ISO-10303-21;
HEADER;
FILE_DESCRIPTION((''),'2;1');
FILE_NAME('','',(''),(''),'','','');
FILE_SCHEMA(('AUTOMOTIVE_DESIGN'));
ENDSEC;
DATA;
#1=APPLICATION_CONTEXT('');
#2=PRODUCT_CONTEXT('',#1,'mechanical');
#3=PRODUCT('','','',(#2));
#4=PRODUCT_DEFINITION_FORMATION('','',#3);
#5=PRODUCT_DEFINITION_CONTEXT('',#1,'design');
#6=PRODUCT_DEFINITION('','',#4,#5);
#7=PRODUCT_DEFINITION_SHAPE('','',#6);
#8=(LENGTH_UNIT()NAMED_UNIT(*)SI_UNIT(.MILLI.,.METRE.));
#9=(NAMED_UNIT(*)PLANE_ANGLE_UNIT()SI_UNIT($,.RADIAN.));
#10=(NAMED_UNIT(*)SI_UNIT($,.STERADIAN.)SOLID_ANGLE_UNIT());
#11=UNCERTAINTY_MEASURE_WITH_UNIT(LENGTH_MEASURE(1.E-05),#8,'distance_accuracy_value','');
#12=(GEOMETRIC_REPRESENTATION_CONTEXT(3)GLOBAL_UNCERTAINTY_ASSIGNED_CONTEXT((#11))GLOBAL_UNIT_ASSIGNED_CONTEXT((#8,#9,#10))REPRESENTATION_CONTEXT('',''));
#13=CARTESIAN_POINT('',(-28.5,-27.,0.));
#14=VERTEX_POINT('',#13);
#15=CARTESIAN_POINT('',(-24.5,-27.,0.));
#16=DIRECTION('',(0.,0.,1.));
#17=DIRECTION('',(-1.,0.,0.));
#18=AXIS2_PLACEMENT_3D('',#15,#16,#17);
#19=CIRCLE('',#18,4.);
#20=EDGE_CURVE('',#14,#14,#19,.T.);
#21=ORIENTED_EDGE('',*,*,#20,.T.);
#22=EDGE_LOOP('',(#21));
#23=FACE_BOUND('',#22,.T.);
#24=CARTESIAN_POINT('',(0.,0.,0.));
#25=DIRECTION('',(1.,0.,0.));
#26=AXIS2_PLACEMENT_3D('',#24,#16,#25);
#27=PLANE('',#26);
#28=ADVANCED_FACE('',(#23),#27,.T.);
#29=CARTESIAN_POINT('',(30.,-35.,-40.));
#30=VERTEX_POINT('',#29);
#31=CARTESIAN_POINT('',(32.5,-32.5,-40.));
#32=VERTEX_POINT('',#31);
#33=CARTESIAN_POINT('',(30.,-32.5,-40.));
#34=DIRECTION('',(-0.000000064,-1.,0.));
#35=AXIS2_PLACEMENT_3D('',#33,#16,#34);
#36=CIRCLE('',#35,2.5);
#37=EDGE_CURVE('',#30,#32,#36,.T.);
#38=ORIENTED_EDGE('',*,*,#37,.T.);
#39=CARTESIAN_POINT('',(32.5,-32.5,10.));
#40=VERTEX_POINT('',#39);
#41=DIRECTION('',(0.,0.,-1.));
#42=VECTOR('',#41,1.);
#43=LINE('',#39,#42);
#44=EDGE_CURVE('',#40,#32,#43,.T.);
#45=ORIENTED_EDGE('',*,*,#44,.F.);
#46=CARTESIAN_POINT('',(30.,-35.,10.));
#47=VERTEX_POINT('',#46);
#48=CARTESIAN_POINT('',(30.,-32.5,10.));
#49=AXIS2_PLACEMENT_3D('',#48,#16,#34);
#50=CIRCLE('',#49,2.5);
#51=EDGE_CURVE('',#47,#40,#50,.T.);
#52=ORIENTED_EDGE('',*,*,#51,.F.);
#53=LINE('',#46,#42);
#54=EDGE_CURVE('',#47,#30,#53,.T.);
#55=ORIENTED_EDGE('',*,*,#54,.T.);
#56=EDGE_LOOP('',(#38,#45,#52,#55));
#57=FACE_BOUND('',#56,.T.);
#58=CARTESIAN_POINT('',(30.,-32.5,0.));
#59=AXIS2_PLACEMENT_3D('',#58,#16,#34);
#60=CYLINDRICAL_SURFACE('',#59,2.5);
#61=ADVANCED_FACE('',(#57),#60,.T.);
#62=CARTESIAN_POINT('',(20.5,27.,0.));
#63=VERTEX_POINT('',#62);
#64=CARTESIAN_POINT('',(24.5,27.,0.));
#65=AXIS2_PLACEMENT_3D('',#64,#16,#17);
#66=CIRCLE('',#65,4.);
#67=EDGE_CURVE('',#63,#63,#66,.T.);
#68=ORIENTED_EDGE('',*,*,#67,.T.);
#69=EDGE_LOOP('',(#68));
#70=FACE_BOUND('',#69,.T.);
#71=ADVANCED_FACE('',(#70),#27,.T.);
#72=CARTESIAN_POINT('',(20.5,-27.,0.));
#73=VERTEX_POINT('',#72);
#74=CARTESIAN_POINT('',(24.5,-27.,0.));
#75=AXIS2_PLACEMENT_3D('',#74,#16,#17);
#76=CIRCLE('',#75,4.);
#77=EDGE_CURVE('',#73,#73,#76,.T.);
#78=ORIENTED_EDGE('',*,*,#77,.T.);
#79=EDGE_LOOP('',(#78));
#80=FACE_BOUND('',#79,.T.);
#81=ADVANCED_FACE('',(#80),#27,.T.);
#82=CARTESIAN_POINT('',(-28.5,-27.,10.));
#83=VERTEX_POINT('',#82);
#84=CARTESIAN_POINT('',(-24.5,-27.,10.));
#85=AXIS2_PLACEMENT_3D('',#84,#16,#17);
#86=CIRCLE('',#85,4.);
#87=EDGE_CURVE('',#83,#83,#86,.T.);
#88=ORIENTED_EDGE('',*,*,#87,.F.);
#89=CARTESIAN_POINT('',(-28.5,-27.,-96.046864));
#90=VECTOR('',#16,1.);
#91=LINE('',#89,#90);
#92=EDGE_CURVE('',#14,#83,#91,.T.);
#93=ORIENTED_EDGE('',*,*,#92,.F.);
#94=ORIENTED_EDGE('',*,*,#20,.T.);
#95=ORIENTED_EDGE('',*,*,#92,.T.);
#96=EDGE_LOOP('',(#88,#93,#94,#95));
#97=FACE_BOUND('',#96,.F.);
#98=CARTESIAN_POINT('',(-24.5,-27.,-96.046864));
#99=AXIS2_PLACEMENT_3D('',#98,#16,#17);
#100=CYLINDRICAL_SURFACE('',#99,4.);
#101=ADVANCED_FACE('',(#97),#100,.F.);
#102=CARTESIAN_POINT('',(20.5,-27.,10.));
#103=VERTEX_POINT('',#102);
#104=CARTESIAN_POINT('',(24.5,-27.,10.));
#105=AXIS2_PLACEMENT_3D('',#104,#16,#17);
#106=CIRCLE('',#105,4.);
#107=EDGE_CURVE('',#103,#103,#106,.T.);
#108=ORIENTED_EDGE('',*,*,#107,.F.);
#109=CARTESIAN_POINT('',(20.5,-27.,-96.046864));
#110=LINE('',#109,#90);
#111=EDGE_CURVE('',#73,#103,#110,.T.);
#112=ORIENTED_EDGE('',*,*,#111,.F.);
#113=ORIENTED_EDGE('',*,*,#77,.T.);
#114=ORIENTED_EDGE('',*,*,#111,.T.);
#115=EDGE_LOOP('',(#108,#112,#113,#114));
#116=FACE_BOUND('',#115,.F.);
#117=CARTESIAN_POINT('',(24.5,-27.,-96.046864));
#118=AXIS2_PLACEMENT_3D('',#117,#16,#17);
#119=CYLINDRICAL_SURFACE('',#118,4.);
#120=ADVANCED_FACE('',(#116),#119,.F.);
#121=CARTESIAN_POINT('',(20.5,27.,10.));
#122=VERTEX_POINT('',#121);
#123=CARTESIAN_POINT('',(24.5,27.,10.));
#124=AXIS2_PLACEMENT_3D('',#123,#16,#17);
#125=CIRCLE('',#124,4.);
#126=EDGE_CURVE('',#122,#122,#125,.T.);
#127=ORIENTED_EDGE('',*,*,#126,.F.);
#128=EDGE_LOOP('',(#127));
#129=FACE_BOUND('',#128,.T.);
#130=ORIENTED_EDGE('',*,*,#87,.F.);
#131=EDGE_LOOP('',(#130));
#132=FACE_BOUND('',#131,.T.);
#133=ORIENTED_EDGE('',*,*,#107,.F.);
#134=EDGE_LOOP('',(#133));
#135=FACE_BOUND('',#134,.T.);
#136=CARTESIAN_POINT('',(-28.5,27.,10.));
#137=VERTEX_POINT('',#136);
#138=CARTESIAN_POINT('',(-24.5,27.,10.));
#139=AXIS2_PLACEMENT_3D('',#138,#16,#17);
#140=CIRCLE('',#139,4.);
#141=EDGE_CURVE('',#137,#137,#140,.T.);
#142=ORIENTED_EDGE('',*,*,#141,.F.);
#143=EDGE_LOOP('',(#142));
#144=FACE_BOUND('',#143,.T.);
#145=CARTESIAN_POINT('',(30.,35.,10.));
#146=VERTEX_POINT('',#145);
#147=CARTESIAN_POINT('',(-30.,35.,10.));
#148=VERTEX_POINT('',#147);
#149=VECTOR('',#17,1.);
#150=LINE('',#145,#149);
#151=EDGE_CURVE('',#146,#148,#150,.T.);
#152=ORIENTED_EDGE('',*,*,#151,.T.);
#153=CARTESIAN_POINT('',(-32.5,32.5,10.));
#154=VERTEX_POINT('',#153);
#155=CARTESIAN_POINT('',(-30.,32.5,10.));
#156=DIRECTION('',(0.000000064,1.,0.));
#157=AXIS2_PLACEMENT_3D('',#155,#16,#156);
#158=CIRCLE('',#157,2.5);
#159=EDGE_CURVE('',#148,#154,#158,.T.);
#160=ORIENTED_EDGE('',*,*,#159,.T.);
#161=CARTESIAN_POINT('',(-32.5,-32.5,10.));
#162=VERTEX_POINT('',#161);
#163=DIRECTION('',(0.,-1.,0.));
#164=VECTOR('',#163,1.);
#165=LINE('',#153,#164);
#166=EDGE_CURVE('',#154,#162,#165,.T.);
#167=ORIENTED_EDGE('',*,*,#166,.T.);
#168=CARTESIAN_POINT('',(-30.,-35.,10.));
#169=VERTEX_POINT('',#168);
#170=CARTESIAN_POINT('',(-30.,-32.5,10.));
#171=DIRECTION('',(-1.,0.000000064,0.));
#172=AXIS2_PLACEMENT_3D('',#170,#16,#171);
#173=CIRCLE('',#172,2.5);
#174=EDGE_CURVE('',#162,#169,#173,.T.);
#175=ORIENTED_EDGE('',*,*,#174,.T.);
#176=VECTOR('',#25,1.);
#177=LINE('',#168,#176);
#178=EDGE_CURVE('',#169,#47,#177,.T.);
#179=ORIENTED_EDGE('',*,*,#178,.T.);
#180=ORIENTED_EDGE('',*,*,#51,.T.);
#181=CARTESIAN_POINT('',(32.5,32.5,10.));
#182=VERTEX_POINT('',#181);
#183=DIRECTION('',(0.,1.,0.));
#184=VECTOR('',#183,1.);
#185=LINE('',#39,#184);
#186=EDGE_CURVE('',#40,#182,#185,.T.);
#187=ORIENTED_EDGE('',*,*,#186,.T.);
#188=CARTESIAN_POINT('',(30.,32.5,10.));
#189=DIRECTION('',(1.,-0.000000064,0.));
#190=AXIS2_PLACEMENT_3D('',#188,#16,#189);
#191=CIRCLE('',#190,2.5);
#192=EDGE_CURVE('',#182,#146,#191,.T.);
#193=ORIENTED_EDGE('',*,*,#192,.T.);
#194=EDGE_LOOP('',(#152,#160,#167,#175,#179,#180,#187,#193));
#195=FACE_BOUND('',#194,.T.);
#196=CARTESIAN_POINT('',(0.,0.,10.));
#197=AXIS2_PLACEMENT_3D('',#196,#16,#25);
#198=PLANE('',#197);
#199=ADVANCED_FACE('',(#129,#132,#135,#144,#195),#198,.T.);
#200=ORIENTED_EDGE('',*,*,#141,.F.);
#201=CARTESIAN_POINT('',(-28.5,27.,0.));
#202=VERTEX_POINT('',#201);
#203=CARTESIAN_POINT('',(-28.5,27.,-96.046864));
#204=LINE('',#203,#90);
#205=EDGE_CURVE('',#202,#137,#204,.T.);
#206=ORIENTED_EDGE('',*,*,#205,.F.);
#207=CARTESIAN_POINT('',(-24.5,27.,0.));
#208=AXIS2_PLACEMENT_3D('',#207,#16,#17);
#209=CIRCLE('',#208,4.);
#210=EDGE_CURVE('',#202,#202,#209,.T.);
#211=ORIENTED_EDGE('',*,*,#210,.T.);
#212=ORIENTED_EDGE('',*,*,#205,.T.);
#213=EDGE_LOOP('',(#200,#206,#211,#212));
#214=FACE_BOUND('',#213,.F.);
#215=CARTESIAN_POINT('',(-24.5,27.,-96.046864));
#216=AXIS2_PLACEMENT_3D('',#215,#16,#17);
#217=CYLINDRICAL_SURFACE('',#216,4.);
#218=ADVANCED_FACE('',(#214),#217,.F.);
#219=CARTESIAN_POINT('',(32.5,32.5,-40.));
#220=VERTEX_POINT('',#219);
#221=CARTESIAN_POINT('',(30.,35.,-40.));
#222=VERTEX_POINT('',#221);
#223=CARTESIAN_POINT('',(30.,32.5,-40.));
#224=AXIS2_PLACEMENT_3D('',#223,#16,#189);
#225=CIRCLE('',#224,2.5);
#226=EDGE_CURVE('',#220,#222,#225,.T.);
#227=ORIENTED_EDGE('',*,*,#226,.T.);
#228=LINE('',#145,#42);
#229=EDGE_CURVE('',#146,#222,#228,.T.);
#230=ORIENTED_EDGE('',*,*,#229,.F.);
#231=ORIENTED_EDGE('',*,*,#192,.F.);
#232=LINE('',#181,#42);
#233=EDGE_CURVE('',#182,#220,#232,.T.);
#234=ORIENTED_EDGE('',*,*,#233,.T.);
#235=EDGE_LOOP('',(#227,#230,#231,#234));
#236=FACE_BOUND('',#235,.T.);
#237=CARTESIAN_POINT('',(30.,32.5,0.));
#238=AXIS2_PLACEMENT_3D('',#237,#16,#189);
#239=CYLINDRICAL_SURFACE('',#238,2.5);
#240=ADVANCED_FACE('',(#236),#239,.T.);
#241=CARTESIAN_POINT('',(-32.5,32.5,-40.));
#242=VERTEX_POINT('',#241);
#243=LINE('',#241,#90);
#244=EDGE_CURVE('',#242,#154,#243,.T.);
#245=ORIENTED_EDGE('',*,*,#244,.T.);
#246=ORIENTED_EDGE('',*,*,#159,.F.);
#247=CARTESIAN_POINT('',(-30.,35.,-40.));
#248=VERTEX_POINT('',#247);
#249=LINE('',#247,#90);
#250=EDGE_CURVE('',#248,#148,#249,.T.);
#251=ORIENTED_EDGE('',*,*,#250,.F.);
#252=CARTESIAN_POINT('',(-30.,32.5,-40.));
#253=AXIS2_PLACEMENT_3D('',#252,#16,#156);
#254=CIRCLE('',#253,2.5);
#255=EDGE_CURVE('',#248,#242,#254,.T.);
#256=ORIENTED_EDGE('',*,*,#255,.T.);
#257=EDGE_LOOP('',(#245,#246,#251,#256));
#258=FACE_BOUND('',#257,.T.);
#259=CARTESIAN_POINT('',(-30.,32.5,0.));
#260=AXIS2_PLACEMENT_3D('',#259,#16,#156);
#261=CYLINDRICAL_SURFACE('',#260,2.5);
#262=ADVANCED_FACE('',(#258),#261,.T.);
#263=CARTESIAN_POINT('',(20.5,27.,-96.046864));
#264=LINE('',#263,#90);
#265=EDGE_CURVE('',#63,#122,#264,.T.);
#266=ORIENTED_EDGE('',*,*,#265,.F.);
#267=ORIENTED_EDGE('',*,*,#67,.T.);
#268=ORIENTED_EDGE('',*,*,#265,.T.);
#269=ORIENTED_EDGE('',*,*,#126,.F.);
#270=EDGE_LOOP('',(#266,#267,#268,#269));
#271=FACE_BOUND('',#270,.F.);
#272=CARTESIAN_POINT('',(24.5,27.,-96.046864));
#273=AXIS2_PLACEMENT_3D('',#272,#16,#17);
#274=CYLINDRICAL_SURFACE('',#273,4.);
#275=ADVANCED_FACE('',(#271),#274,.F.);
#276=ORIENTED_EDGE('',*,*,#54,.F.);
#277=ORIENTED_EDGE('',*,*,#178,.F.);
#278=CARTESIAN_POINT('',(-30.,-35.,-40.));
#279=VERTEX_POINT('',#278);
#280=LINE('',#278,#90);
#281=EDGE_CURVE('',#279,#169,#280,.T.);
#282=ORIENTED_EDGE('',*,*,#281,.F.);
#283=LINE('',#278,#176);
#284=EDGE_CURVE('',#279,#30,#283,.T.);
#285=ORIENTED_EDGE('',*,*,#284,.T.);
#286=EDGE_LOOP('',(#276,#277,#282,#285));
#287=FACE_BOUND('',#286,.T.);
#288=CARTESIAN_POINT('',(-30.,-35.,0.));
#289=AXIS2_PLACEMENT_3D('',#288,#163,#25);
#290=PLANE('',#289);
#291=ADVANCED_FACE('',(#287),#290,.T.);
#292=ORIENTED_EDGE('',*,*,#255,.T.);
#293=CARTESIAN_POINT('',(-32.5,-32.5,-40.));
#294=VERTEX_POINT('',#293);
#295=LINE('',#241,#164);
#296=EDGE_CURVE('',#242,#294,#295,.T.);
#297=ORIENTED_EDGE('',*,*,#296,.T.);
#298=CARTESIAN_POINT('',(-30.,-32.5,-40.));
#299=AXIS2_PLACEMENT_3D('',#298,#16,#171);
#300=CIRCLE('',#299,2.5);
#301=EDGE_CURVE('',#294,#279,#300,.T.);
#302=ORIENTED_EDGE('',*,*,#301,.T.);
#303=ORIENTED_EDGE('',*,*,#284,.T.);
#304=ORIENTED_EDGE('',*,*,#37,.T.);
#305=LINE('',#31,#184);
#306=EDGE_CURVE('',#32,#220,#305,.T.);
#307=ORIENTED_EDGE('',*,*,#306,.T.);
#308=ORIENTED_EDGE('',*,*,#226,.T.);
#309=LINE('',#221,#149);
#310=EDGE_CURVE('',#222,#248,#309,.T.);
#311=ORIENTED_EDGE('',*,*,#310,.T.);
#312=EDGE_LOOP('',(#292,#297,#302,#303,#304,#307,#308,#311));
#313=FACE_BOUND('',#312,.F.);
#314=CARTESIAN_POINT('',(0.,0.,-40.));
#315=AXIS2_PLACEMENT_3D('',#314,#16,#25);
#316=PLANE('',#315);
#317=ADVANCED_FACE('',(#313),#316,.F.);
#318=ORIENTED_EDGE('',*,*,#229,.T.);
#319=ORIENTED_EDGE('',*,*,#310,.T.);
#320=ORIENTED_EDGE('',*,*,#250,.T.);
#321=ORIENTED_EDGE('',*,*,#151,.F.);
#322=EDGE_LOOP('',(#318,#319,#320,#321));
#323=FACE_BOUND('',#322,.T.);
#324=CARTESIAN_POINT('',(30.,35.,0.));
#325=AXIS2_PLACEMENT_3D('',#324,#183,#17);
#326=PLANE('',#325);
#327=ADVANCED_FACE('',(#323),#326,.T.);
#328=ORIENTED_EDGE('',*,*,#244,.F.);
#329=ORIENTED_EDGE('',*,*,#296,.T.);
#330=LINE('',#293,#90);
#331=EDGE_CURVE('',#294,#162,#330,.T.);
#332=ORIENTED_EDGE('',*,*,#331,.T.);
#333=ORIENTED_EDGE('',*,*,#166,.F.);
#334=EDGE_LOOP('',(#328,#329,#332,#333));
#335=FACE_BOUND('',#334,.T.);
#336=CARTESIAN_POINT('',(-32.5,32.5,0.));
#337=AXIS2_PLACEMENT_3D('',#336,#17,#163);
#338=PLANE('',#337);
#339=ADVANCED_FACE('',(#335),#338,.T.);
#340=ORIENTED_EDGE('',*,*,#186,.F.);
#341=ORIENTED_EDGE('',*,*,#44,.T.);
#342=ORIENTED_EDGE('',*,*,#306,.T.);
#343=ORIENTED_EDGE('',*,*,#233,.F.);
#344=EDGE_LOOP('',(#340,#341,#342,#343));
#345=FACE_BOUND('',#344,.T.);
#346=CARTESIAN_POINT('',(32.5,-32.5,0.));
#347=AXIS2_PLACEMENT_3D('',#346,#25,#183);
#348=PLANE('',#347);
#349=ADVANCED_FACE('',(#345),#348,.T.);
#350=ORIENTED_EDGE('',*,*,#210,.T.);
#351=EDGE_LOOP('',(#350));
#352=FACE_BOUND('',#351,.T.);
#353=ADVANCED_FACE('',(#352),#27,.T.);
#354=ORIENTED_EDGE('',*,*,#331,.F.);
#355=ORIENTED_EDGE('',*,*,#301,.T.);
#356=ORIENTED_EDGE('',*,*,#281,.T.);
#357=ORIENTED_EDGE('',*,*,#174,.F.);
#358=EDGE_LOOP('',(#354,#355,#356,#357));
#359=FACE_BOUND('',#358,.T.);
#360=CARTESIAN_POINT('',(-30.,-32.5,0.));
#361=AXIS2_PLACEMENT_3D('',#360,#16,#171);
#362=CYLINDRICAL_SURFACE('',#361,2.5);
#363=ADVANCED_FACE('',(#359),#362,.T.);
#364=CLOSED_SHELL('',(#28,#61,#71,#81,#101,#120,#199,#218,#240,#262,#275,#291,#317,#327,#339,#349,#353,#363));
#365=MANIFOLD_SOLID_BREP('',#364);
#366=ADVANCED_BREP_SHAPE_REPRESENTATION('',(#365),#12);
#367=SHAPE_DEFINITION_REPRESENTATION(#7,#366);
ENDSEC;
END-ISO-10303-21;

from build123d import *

# Parameters (mm, degrees)
F1_DEPTH = 10
F2_D     = 8
F3_D     = 8
F4_D     = 8
F5_D     = 8
F6_W     = 30
F6_H     = 66.012212
F7_DEPTH = 40


with BuildPart() as f1:
    # F0 (on Top) → F1 (new body)
    with BuildSketch(Plane.XY):
        with BuildLine():
            Line((30, 35), (-30, 35))
            ThreePointArc((-30, 35), (-31.767767, 34.267767), (-32.5, 32.5))
            Line((-32.5, 32.5), (-32.5, -32.5))
            ThreePointArc((-32.5, -32.5), (-31.767767, -34.267767), (-30, -35))
            Line((-30, -35), (30, -35))
            ThreePointArc((30, -35), (31.767767, -34.267767), (32.5, -32.5))
            Line((32.5, -32.5), (32.5, 32.5))
            ThreePointArc((32.5, 32.5), (31.767767, 34.267767), (30, 35))
        make_face()
    extrude(amount=F1_DEPTH)

    # F2 (through all)
    with Locations(Plane(origin=(0, 0, 0), x_dir=(1, 0, 0), z_dir=(0, 0, -1))):
        with Locations((24.5, 27)):
            Hole(F2_D / 2)

    # F3 (through all)
    with Locations(Plane(origin=(0, 0, 0), x_dir=(1, 0, 0), z_dir=(0, 0, -1))):
        with Locations((-24.5, 27)):
            Hole(F3_D / 2)

    # F4 (through all)
    with Locations(Plane(origin=(0, 0, 0), x_dir=(1, 0, 0), z_dir=(0, 0, -1))):
        with Locations((24.5, -27)):
            Hole(F4_D / 2)

    # F5 (through all)
    with Locations(Plane(origin=(0, 0, 0), x_dir=(1, 0, 0), z_dir=(0, 0, -1))):
        with Locations((-24.5, -27)):
            Hole(F5_D / 2)

    # F6 (on Top) + F0 (on Top) → F7 (join)
    with BuildSketch(Plane.XY):
        Rectangle(F6_W, F6_H)
    with BuildSketch(Plane.XY):
        with BuildLine():
            Line((30, 35), (-30, 35))
            ThreePointArc((-30, 35), (-31.767767, 34.267767), (-32.5, 32.5))
            Line((-32.5, 32.5), (-32.5, -32.5))
            ThreePointArc((-32.5, -32.5), (-31.767767, -34.267767), (-30, -35))
            Line((-30, -35), (30, -35))
            ThreePointArc((30, -35), (31.767767, -34.267767), (32.5, -32.5))
            Line((32.5, -32.5), (32.5, 32.5))
            ThreePointArc((32.5, 32.5), (31.767767, 34.267767), (30, 35))
        make_face()
    extrude(amount=-F7_DEPTH)


solid = f1.part
